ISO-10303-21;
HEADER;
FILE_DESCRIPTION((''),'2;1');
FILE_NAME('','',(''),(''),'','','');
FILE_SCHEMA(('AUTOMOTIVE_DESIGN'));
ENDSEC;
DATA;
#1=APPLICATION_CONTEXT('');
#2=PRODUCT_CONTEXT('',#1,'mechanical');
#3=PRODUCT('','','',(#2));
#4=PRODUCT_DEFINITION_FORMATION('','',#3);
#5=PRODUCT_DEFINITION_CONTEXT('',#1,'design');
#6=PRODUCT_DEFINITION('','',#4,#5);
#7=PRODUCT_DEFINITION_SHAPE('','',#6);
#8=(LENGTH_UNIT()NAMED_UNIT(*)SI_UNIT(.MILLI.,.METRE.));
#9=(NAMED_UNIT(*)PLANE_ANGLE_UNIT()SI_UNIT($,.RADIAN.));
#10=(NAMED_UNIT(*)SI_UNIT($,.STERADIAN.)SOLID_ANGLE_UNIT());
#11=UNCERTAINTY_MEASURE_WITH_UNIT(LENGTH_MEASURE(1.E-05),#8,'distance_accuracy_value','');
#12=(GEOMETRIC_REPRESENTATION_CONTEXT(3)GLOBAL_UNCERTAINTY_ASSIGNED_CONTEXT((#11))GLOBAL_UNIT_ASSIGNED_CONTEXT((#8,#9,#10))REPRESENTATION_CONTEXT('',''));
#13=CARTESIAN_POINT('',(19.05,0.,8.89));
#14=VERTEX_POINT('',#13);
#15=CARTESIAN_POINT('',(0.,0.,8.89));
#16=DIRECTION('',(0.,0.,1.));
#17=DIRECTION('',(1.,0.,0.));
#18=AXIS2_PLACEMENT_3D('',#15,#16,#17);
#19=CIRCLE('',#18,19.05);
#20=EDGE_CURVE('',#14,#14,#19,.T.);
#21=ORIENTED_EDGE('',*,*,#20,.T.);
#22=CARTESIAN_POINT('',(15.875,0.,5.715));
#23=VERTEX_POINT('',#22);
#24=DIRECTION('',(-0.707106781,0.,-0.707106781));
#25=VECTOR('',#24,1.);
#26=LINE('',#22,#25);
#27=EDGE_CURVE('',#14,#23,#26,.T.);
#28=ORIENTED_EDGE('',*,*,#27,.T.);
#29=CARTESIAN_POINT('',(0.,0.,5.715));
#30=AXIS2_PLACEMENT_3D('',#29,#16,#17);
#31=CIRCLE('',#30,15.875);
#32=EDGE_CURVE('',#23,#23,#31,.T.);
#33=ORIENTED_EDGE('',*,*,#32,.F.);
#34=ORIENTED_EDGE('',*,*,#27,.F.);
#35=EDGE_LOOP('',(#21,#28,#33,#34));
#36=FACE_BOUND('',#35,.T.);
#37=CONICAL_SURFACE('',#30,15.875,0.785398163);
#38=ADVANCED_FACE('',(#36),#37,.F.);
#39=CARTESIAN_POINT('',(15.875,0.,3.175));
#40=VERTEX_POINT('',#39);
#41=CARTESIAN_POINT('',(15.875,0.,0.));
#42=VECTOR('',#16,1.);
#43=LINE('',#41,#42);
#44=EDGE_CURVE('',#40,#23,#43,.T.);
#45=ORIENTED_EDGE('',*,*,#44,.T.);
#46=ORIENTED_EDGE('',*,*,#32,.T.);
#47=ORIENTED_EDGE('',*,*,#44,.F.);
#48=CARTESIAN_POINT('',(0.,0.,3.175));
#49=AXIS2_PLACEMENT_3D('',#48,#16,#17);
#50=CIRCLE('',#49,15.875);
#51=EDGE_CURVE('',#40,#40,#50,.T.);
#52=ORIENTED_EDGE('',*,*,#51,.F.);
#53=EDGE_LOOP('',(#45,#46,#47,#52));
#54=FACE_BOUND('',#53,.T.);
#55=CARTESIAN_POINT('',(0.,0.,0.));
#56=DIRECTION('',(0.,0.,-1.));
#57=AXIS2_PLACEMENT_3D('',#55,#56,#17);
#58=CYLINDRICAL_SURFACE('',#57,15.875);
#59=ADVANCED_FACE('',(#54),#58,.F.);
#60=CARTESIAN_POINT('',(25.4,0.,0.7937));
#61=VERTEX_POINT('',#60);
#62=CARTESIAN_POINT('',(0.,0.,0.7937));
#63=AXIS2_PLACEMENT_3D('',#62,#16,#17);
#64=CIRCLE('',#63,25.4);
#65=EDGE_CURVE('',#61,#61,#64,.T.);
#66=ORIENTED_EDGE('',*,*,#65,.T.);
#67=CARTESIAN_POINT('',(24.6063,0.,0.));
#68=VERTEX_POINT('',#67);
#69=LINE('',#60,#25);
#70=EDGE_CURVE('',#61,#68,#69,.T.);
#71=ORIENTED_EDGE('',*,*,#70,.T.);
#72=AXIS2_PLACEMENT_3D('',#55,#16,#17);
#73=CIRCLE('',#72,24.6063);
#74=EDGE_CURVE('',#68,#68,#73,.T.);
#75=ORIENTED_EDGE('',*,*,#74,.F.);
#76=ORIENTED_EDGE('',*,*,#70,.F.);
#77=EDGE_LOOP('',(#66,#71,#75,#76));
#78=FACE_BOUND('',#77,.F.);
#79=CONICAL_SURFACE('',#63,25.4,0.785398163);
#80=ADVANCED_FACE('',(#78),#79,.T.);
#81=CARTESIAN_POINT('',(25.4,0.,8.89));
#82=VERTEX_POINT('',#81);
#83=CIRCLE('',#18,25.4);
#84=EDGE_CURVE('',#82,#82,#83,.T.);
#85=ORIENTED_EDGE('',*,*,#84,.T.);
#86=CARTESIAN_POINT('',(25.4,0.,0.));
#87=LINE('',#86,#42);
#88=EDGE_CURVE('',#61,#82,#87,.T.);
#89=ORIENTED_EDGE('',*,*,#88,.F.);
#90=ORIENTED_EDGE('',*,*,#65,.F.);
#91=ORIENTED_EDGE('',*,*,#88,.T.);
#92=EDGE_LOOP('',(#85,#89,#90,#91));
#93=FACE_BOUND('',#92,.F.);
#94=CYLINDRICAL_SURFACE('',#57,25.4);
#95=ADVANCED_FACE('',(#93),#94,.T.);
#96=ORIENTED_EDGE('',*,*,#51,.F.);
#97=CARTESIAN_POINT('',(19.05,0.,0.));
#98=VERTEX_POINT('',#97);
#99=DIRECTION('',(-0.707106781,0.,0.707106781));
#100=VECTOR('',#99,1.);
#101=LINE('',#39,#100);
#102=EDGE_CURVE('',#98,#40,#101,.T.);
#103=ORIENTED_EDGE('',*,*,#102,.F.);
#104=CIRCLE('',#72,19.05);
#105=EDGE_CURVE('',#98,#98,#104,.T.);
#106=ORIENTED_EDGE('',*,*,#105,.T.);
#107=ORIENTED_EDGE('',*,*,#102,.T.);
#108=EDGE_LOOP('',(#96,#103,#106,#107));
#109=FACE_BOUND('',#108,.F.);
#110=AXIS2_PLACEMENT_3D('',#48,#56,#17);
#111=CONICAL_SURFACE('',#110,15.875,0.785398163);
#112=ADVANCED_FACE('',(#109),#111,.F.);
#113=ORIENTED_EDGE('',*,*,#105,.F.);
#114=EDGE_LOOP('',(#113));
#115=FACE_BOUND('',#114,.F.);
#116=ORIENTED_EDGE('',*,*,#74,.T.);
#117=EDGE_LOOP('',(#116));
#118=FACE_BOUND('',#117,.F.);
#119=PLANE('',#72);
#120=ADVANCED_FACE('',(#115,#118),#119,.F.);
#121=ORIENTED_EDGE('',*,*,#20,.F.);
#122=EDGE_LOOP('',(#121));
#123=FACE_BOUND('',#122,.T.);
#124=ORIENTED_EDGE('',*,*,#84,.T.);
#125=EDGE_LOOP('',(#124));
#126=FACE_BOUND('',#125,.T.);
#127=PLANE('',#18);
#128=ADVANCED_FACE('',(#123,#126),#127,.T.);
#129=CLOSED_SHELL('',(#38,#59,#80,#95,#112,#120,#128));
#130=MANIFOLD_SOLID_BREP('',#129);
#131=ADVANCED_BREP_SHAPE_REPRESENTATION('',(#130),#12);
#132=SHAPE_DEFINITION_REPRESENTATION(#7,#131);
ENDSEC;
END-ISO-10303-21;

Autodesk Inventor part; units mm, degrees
ref_plane "YZ Plane" through (0, 0, 0) normal (1, 0, 0) x (0, 1, 0)
ref_plane "XZ Plane" through (0, 0, 0) normal (0, 1, 0) x (-1, 0, 0)
ref_plane "XY Plane" through (0, 0, 0) normal (0, 0, 1) x (1, 0, 0)
sketch "Sketch1" plane through (0, 0, 0) normal (0, 0, 1) x (1, 0, 0)
  circle A0 centre (0, 0) radius 15.875
  circle A1 centre (0, 0) radius 25.4
  dimension "d0" = 31.75
  dimension "d1" = 50.8
extrude "Extrusion1" add sketch "Sketch1" along normal blind 8.89
chamfer "Chamfer1" distance 0.7937 angle 45 1 edges at (-25.4, 0, 0)
chamfer "Chamfer2" distance 3.175 angle 45 2 edges at (-15.875, 0, 8.89) (-15.875, 0, 0)
properties part number "Tire" material "Rubber, Silicone"
